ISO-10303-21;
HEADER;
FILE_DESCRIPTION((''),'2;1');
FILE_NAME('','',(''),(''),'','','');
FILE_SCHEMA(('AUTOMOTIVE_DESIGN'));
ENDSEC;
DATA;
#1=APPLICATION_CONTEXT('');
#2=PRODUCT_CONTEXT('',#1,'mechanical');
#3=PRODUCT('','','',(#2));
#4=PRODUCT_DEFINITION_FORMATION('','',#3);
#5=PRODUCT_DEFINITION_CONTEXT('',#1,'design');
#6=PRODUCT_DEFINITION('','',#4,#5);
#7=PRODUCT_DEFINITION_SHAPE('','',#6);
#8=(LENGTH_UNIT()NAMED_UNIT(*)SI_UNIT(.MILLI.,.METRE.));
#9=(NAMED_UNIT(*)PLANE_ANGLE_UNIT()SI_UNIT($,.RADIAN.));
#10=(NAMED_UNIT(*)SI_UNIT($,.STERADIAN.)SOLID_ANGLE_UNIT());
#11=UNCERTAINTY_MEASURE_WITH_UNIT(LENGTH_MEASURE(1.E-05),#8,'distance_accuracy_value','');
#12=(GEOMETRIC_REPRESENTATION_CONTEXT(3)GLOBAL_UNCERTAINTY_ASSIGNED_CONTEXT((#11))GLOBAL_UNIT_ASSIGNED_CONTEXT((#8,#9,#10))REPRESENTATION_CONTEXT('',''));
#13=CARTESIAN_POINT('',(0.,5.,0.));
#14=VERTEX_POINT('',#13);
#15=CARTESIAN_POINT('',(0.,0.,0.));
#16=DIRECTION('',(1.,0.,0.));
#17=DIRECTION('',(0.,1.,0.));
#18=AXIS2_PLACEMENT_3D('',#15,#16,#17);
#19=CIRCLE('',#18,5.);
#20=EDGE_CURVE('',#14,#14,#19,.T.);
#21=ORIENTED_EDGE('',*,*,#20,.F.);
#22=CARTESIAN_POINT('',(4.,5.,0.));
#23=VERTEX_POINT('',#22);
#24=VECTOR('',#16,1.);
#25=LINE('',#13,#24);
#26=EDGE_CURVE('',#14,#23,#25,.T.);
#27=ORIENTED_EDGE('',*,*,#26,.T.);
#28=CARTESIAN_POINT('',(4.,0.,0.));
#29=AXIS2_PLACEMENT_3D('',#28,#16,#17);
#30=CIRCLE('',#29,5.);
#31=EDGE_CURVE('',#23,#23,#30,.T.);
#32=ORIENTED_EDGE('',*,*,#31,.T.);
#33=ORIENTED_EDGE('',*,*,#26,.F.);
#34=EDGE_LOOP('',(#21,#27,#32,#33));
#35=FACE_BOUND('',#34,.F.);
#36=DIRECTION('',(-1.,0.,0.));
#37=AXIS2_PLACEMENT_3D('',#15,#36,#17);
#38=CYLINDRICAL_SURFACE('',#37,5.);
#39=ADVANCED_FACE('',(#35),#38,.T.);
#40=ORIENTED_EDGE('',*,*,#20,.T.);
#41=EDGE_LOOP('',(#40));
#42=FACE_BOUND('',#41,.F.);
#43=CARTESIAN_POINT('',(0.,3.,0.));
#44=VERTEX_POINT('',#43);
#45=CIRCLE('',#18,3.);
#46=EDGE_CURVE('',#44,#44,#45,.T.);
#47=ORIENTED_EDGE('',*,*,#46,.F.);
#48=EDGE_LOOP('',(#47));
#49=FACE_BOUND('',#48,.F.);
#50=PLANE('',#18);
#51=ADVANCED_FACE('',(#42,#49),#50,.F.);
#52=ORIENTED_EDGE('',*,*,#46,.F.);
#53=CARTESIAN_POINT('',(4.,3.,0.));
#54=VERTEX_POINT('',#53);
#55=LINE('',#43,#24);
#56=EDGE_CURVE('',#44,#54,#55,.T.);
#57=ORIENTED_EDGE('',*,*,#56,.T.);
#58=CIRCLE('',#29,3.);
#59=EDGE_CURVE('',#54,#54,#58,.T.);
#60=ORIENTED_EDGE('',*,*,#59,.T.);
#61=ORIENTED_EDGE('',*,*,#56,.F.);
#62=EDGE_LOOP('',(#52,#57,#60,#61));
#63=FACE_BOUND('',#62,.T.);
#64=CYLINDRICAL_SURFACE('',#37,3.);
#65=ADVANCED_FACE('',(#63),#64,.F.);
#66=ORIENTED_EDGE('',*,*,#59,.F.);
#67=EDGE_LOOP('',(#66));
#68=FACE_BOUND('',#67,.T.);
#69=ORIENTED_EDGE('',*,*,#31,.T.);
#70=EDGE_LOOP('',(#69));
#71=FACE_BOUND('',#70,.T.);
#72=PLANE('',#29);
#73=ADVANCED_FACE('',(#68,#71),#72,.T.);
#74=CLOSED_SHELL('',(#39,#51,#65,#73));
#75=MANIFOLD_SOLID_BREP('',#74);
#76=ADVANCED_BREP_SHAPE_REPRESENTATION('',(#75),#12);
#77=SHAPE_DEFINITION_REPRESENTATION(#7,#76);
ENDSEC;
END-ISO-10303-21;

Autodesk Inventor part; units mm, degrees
ref_plane "YZ Plane" through (0, 0, 0) normal (1, 0, 0) x (0, 1, 0)
ref_plane "XZ Plane" through (0, 0, 0) normal (0, 1, 0) x (-1, 0, 0)
ref_plane "XY Plane" through (0, 0, 0) normal (0, 0, 1) x (1, 0, 0)
sketch "Sketch1" plane through (0, 0, 0) normal (1, 0, 0) x (0, 1, 0)
  circle A0 centre (0, 0) radius 3
  circle A1 centre (0, 0) radius 5
  dimension "d0" = 6
  dimension "d1" = 10
extrude "Extrusion1" add sketch "Sketch1" along normal blind 4
properties part number "4mm spacer_CPY_CPY"
